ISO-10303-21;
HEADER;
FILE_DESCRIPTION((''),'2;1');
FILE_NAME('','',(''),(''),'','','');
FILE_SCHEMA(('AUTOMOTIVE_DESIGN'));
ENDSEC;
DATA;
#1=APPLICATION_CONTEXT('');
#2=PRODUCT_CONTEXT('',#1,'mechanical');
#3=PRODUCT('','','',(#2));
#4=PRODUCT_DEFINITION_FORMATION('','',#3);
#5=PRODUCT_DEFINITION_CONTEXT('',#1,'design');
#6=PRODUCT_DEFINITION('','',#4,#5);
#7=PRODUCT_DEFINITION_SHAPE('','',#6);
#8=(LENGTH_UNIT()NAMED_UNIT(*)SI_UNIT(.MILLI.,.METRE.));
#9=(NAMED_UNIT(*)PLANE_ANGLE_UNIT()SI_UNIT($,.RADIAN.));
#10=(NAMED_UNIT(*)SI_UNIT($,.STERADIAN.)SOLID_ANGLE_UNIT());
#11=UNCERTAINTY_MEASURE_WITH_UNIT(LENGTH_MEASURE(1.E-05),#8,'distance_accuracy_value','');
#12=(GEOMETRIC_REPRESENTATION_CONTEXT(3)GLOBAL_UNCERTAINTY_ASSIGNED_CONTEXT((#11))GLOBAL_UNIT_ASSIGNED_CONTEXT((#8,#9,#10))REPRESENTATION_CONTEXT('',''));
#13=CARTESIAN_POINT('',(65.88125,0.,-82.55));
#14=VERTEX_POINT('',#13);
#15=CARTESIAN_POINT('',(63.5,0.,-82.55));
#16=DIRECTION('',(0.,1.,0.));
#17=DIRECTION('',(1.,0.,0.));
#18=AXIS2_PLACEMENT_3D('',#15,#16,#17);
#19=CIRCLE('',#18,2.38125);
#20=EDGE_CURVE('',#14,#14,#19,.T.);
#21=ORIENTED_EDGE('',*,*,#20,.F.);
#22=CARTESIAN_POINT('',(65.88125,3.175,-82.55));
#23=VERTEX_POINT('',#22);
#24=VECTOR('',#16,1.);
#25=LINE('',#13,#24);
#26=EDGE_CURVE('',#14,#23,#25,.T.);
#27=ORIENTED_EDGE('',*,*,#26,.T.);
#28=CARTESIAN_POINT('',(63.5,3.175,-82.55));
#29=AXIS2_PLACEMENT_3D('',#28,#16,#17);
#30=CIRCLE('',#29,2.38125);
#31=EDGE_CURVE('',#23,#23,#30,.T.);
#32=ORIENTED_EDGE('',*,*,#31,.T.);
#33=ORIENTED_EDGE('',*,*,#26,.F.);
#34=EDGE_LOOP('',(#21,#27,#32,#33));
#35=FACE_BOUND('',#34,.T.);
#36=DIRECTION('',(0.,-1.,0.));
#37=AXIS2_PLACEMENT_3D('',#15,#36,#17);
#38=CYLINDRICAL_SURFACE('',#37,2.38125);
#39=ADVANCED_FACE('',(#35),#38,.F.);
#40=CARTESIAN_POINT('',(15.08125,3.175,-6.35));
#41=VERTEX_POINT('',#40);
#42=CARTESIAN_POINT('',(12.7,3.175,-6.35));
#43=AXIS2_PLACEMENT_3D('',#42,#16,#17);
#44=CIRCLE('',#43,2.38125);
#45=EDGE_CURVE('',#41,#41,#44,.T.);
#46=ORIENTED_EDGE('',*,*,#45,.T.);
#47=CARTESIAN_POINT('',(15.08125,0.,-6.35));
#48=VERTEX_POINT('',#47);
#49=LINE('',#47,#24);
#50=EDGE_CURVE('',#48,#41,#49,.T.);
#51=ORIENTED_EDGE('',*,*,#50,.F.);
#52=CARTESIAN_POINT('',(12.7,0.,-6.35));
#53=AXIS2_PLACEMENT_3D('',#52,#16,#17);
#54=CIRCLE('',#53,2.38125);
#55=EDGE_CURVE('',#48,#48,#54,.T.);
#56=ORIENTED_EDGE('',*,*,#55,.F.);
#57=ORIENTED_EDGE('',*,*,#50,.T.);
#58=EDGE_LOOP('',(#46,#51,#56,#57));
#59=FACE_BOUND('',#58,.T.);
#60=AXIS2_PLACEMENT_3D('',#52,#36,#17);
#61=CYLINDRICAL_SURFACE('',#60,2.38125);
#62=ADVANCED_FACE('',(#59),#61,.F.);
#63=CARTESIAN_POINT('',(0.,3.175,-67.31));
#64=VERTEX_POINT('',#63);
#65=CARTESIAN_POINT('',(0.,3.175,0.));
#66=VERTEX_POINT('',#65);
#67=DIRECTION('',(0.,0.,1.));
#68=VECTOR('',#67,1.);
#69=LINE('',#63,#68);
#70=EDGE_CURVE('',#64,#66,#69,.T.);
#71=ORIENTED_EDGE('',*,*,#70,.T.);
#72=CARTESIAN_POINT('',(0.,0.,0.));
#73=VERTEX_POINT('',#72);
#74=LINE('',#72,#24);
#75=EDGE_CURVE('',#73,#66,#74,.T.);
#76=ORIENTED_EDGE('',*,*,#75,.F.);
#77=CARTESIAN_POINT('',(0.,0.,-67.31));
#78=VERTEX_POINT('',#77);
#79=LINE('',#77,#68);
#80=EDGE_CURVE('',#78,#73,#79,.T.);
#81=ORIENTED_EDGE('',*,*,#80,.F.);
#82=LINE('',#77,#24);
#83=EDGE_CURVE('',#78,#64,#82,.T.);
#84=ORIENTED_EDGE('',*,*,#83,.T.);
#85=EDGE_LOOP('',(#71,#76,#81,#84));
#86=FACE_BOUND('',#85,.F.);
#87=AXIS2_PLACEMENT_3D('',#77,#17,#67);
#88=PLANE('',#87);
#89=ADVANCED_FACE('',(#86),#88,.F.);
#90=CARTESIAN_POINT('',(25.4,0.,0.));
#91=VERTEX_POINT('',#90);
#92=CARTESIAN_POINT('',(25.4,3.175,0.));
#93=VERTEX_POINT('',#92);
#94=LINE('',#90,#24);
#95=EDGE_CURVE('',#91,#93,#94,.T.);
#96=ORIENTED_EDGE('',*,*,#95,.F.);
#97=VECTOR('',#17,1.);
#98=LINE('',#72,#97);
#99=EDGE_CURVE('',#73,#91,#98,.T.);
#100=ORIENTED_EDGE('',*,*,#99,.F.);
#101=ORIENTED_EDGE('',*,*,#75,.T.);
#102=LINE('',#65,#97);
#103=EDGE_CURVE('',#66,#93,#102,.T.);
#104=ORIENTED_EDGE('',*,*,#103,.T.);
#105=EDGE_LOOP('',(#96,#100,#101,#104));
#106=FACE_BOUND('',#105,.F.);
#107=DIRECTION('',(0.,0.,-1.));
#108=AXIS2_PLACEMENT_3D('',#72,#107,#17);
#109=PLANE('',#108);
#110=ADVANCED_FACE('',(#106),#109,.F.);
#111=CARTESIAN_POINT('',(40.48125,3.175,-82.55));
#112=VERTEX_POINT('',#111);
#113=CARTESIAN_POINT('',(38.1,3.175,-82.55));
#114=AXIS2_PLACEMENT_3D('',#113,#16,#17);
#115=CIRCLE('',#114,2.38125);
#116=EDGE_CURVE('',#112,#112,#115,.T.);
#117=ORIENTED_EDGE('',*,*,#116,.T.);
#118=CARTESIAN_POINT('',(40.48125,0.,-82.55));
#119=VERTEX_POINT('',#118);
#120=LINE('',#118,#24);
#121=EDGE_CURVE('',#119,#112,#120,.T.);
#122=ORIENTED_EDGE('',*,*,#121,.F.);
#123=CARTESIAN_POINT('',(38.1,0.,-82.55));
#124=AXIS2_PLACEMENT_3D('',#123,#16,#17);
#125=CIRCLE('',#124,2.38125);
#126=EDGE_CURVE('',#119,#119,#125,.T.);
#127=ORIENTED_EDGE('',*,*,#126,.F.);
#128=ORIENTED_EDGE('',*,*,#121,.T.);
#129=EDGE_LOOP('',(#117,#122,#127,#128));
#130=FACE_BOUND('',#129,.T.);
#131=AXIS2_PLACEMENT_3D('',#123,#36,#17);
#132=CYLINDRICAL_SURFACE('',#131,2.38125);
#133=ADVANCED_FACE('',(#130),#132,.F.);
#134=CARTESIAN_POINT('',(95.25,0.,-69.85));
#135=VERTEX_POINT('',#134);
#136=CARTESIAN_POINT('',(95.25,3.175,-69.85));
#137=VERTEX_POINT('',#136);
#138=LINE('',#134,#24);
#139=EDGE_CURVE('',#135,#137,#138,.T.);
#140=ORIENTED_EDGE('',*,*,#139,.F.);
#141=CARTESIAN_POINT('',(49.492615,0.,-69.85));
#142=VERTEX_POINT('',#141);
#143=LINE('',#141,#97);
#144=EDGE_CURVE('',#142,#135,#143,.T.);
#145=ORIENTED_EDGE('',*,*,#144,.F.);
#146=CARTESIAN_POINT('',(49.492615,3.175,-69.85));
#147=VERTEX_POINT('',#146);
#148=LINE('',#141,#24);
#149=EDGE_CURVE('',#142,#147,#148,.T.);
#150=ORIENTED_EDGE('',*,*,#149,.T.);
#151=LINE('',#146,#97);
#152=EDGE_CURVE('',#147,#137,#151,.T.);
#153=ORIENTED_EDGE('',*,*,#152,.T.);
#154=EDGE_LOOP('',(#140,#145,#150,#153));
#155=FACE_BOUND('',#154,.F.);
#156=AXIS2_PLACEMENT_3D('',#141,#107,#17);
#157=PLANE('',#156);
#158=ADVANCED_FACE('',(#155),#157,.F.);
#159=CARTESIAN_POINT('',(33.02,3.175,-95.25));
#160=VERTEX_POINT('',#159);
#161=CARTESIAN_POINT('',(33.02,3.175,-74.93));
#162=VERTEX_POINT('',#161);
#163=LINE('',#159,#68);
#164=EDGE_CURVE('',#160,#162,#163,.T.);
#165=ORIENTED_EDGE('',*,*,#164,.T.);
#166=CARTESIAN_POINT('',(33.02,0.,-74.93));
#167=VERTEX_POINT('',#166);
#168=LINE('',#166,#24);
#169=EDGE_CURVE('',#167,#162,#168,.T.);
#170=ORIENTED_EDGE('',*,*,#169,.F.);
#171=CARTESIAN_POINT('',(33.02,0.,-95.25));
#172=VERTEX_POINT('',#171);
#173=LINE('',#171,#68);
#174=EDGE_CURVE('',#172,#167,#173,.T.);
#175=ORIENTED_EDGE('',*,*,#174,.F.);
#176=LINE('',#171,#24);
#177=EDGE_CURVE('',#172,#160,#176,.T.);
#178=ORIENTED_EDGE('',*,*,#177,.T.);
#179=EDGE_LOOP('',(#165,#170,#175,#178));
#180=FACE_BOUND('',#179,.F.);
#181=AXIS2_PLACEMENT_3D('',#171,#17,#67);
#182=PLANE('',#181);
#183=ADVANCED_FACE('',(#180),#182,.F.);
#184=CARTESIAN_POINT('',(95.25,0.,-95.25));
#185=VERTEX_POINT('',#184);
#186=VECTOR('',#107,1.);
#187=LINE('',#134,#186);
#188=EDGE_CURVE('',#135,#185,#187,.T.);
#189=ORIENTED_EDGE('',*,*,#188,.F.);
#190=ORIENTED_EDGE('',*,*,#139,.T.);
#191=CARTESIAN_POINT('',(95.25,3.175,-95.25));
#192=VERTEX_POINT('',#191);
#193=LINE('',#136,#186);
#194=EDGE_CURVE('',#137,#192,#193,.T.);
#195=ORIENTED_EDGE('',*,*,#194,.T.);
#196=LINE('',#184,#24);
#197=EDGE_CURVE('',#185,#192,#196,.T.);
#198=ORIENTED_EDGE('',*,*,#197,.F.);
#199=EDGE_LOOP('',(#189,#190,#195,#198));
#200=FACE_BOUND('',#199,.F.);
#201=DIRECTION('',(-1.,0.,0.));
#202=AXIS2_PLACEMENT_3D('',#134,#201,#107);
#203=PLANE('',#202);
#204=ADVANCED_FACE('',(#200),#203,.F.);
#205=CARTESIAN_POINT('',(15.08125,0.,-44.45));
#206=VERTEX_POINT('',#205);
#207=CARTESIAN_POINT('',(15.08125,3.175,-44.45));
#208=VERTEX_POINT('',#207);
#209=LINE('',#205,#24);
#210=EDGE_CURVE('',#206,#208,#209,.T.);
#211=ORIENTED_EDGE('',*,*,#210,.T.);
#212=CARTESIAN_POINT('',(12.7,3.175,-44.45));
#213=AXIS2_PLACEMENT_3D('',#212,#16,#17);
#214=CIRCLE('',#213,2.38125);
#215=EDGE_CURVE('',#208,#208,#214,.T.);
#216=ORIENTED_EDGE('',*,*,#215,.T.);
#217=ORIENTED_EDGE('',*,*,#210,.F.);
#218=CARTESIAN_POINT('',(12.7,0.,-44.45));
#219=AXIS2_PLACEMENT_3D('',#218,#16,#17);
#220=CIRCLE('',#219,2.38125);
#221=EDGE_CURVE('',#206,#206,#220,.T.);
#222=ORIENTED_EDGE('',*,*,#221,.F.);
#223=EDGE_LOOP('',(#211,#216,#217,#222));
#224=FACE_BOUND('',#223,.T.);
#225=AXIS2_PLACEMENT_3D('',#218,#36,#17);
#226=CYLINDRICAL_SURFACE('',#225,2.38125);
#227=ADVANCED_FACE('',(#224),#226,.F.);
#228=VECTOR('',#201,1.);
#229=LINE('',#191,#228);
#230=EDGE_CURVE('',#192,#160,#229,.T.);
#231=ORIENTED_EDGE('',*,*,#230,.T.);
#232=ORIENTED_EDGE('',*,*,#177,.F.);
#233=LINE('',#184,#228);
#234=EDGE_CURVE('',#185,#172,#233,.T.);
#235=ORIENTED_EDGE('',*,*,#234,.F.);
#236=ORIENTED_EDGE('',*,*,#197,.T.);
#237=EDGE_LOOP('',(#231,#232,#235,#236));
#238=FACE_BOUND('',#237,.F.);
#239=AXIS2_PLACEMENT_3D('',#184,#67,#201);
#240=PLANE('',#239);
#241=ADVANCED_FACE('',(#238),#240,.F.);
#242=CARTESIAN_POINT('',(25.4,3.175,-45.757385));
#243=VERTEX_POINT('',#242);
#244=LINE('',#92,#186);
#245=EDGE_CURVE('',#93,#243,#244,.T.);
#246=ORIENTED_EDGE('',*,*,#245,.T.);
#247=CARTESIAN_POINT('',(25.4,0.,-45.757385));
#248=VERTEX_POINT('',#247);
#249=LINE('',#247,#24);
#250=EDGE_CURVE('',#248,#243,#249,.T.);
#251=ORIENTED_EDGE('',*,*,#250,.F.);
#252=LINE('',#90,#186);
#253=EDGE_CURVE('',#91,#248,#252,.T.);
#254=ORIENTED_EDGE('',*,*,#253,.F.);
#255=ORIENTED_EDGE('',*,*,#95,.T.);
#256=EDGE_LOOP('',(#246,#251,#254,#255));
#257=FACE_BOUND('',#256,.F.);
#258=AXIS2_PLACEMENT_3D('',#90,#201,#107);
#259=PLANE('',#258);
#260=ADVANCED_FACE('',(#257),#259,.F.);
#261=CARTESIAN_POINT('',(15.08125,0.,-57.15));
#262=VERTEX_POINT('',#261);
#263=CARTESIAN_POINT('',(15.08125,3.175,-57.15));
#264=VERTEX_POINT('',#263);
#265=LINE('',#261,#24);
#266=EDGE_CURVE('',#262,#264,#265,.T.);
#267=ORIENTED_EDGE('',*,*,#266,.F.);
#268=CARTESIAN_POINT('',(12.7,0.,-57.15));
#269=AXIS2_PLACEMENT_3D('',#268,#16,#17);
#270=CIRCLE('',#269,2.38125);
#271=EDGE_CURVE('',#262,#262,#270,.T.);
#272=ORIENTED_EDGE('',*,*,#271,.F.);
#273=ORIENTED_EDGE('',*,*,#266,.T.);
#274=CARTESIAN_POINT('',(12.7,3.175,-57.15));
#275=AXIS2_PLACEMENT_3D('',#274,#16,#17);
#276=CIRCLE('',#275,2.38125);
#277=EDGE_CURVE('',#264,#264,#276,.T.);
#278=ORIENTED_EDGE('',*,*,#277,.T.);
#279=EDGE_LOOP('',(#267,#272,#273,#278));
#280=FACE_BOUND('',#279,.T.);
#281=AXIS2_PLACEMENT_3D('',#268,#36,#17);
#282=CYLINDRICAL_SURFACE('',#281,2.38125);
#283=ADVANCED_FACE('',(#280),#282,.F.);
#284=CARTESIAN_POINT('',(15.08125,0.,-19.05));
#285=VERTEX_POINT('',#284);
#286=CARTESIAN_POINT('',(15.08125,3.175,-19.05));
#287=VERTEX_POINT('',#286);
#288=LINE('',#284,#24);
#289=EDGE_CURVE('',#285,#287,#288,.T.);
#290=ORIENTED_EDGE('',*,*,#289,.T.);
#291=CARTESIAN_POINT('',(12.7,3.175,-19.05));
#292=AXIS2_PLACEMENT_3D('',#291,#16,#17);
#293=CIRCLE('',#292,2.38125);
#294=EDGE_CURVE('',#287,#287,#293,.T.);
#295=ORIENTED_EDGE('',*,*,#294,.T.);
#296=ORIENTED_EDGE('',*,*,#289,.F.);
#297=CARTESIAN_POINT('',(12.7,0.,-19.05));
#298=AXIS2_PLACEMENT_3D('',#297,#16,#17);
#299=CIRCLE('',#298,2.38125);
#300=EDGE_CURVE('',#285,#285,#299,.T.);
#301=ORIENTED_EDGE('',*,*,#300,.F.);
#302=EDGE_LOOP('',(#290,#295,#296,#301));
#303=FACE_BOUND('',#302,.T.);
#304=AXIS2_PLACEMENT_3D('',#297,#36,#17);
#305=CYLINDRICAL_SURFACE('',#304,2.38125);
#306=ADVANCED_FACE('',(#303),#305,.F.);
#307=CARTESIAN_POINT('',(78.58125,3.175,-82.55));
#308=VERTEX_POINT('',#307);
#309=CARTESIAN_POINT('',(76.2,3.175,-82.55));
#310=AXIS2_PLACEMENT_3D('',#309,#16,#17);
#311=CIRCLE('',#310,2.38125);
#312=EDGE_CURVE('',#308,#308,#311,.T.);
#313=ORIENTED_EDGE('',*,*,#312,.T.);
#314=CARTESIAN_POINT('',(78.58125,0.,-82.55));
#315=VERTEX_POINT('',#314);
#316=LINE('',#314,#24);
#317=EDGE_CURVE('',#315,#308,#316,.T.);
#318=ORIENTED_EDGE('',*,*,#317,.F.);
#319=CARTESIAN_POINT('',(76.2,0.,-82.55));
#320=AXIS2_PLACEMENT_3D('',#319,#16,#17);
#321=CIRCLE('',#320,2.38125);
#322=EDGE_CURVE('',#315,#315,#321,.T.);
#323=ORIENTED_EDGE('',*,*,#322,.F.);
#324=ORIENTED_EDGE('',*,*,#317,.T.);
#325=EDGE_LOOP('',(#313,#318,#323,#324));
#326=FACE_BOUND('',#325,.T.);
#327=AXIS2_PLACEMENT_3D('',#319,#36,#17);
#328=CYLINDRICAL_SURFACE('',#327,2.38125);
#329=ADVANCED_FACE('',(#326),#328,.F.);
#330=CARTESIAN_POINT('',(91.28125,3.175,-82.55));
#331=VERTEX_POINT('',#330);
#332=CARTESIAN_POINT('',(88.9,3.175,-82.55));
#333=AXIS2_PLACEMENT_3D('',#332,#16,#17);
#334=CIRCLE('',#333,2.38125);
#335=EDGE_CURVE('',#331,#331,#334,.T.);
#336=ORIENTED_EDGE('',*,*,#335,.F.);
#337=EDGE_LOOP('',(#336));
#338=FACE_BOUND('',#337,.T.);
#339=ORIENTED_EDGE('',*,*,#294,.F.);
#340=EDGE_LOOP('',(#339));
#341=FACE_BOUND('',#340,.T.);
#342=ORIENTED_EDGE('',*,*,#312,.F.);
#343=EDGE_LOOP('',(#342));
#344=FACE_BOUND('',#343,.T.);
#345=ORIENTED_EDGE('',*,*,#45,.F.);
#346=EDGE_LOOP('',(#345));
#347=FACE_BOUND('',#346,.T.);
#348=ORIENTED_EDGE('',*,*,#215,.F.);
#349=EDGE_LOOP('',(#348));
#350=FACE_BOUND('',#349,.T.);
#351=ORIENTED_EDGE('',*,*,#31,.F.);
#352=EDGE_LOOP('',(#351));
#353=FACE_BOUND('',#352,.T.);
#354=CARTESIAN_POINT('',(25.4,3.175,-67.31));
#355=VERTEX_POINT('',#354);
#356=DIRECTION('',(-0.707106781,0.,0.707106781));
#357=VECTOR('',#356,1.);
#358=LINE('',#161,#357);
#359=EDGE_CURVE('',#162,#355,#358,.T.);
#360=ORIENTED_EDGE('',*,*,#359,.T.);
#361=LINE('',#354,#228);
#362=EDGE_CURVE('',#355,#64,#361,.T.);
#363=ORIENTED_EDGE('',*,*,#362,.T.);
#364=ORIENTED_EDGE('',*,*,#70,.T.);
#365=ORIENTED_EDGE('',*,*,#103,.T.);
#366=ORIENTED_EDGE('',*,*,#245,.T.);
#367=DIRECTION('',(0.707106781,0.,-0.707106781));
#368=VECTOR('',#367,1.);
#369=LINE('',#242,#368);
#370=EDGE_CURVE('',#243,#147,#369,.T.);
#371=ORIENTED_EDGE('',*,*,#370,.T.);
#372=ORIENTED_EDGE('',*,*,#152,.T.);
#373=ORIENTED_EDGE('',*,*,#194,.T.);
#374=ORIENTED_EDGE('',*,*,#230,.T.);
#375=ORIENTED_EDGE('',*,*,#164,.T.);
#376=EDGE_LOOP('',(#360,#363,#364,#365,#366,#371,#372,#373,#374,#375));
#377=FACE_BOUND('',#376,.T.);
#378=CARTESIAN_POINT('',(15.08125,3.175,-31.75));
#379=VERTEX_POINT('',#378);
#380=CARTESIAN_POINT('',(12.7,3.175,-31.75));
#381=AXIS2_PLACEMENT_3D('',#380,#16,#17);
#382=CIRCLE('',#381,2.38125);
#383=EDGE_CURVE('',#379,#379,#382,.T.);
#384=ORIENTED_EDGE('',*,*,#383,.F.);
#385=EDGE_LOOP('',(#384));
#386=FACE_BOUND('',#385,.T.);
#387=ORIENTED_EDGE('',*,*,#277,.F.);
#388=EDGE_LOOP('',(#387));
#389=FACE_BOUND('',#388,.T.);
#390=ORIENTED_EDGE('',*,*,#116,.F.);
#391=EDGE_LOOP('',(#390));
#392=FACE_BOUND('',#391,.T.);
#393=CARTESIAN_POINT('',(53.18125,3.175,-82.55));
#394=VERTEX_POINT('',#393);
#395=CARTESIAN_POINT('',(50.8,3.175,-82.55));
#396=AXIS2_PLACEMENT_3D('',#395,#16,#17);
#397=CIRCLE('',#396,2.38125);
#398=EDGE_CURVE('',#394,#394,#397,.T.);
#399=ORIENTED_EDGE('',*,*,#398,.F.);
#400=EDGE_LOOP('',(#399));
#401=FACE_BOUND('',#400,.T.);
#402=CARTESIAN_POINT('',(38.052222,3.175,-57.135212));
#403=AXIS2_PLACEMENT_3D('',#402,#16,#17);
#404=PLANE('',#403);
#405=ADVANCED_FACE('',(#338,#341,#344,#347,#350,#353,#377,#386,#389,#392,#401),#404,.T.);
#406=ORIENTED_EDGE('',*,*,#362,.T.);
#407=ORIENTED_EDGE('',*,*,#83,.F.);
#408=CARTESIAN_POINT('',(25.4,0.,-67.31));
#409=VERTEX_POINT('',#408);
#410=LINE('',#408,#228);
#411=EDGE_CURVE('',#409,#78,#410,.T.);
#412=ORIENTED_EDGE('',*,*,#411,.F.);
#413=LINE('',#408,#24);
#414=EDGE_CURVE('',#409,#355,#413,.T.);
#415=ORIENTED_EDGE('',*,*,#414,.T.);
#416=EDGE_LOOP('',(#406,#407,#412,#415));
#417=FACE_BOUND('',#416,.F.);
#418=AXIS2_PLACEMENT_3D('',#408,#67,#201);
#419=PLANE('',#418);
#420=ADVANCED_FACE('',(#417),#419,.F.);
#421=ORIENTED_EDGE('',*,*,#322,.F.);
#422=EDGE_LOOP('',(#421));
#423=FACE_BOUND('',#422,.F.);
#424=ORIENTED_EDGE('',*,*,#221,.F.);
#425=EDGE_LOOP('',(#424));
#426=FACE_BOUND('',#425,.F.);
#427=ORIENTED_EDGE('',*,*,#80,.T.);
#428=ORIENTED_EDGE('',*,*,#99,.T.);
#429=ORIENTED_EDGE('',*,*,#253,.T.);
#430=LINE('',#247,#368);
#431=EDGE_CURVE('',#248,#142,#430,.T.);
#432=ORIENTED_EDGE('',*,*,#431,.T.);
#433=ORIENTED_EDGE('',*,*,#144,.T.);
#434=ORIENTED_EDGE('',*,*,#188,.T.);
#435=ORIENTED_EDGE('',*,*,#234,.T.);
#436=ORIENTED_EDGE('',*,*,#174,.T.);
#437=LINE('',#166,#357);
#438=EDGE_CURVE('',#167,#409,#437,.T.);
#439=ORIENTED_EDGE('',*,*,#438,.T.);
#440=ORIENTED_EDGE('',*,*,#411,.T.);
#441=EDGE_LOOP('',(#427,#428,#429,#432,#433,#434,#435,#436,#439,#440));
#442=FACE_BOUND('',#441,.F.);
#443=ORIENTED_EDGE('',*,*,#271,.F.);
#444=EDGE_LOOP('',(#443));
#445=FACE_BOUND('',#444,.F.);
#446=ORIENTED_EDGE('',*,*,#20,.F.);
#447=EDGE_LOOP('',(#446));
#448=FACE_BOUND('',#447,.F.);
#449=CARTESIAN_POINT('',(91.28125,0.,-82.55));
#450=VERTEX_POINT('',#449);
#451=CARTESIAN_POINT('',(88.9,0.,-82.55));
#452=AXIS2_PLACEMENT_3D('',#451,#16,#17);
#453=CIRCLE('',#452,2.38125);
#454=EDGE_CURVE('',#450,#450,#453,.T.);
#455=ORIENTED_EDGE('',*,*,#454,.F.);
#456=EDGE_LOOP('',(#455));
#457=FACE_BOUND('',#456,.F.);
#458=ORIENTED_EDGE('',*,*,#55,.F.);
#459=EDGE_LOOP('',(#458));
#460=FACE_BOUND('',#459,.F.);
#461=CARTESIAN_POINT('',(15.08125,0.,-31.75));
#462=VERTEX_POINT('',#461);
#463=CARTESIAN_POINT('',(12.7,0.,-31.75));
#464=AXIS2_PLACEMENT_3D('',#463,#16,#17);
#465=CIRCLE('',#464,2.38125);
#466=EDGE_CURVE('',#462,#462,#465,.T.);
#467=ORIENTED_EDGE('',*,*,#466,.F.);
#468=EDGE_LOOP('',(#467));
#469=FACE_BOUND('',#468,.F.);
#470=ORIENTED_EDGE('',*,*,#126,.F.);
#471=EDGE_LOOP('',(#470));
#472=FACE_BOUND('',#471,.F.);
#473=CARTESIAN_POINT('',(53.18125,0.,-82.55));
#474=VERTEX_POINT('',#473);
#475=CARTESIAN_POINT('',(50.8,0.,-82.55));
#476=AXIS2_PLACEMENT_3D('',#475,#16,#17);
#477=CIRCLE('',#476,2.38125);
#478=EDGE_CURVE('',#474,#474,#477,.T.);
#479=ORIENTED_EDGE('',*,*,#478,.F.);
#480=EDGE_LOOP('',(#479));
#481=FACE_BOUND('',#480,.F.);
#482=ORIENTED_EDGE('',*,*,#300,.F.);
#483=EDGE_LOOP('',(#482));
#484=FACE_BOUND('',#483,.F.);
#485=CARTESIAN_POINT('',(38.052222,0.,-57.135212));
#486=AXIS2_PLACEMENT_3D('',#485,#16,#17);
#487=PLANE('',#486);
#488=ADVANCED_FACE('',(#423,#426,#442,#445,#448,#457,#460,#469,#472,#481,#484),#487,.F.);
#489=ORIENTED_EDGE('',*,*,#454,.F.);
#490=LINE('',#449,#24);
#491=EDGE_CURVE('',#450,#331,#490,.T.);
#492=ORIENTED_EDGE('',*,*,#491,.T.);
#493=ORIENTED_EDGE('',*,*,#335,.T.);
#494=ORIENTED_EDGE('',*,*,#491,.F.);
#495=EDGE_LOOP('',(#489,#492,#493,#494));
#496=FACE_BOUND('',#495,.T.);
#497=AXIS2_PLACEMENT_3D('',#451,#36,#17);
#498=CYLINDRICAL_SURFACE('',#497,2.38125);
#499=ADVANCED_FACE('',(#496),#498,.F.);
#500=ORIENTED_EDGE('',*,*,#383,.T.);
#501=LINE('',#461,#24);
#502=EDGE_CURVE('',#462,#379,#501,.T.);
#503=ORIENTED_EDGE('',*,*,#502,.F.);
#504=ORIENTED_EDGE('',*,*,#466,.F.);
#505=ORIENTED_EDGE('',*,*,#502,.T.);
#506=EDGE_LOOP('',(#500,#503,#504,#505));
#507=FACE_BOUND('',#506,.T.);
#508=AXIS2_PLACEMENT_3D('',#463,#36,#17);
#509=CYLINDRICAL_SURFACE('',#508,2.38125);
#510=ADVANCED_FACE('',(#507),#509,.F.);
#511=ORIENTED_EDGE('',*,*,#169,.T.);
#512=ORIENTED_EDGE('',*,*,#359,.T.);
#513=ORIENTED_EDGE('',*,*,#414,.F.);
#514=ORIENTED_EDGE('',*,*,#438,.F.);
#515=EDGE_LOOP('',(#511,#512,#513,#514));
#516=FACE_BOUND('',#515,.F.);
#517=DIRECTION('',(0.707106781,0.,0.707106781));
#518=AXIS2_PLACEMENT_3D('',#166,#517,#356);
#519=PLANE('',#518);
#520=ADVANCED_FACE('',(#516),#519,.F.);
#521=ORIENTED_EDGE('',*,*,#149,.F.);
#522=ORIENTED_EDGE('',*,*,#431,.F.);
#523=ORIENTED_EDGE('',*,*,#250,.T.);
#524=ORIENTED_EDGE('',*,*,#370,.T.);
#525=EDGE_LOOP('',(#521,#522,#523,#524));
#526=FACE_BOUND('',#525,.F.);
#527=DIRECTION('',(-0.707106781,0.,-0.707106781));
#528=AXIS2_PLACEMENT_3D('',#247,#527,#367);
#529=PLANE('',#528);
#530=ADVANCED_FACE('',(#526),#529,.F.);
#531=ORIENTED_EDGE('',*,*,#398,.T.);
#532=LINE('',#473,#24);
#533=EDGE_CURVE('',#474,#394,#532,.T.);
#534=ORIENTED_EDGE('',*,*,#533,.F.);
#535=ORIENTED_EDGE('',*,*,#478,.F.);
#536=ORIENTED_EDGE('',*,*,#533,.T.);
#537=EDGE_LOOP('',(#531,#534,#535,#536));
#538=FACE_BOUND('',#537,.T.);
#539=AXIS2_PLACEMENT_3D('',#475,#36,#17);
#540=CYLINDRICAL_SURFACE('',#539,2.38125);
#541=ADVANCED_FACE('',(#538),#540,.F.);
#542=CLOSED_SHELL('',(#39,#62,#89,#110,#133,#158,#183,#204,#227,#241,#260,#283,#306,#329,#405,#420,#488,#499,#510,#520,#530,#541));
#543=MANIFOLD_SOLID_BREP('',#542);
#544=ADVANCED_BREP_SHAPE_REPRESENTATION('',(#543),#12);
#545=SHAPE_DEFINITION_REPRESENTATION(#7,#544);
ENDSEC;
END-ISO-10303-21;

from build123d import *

# Parameters (mm, degrees)
SKETCH1_R           = 2.38125
BOSS_EXTRUDE1_DEPTH = 3.175


with BuildPart() as part:
    # Sketch1 → Boss-Extrude1 (new body)
    with BuildSketch(Plane(origin=(0, 0, 0), x_dir=(1, 0, 0), z_dir=(0, 1, 0))):
        Polygon((0, 67.31), (0, 0), (25.4, 0), (25.4, 45.757385309), (49.492614691, 69.85), (95.25, 69.85), (95.25, 95.25), (33.02, 95.25), (33.02, 74.93), (25.4, 67.31), align=None)
        with Locations((12.7, 19.05)):
            Circle(SKETCH1_R, mode=Mode.SUBTRACT)
        with Locations((12.7, 31.75)):
            Circle(SKETCH1_R, mode=Mode.SUBTRACT)
        with Locations((12.7, 44.45)):
            Circle(SKETCH1_R, mode=Mode.SUBTRACT)
        with Locations((12.7, 57.15)):
            Circle(SKETCH1_R, mode=Mode.SUBTRACT)
        with Locations((38.1, 82.55)):
            Circle(SKETCH1_R, mode=Mode.SUBTRACT)
        with Locations((50.8, 82.55)):
            Circle(SKETCH1_R, mode=Mode.SUBTRACT)
        with Locations((63.5, 82.55)):
            Circle(SKETCH1_R, mode=Mode.SUBTRACT)
        with Locations((76.2, 82.55)):
            Circle(SKETCH1_R, mode=Mode.SUBTRACT)
        with Locations((88.9, 82.55)):
            Circle(SKETCH1_R, mode=Mode.SUBTRACT)
        with Locations((12.7, 6.35)):
            Circle(SKETCH1_R, mode=Mode.SUBTRACT)
    extrude(amount=BOSS_EXTRUDE1_DEPTH)


solid = part.part
